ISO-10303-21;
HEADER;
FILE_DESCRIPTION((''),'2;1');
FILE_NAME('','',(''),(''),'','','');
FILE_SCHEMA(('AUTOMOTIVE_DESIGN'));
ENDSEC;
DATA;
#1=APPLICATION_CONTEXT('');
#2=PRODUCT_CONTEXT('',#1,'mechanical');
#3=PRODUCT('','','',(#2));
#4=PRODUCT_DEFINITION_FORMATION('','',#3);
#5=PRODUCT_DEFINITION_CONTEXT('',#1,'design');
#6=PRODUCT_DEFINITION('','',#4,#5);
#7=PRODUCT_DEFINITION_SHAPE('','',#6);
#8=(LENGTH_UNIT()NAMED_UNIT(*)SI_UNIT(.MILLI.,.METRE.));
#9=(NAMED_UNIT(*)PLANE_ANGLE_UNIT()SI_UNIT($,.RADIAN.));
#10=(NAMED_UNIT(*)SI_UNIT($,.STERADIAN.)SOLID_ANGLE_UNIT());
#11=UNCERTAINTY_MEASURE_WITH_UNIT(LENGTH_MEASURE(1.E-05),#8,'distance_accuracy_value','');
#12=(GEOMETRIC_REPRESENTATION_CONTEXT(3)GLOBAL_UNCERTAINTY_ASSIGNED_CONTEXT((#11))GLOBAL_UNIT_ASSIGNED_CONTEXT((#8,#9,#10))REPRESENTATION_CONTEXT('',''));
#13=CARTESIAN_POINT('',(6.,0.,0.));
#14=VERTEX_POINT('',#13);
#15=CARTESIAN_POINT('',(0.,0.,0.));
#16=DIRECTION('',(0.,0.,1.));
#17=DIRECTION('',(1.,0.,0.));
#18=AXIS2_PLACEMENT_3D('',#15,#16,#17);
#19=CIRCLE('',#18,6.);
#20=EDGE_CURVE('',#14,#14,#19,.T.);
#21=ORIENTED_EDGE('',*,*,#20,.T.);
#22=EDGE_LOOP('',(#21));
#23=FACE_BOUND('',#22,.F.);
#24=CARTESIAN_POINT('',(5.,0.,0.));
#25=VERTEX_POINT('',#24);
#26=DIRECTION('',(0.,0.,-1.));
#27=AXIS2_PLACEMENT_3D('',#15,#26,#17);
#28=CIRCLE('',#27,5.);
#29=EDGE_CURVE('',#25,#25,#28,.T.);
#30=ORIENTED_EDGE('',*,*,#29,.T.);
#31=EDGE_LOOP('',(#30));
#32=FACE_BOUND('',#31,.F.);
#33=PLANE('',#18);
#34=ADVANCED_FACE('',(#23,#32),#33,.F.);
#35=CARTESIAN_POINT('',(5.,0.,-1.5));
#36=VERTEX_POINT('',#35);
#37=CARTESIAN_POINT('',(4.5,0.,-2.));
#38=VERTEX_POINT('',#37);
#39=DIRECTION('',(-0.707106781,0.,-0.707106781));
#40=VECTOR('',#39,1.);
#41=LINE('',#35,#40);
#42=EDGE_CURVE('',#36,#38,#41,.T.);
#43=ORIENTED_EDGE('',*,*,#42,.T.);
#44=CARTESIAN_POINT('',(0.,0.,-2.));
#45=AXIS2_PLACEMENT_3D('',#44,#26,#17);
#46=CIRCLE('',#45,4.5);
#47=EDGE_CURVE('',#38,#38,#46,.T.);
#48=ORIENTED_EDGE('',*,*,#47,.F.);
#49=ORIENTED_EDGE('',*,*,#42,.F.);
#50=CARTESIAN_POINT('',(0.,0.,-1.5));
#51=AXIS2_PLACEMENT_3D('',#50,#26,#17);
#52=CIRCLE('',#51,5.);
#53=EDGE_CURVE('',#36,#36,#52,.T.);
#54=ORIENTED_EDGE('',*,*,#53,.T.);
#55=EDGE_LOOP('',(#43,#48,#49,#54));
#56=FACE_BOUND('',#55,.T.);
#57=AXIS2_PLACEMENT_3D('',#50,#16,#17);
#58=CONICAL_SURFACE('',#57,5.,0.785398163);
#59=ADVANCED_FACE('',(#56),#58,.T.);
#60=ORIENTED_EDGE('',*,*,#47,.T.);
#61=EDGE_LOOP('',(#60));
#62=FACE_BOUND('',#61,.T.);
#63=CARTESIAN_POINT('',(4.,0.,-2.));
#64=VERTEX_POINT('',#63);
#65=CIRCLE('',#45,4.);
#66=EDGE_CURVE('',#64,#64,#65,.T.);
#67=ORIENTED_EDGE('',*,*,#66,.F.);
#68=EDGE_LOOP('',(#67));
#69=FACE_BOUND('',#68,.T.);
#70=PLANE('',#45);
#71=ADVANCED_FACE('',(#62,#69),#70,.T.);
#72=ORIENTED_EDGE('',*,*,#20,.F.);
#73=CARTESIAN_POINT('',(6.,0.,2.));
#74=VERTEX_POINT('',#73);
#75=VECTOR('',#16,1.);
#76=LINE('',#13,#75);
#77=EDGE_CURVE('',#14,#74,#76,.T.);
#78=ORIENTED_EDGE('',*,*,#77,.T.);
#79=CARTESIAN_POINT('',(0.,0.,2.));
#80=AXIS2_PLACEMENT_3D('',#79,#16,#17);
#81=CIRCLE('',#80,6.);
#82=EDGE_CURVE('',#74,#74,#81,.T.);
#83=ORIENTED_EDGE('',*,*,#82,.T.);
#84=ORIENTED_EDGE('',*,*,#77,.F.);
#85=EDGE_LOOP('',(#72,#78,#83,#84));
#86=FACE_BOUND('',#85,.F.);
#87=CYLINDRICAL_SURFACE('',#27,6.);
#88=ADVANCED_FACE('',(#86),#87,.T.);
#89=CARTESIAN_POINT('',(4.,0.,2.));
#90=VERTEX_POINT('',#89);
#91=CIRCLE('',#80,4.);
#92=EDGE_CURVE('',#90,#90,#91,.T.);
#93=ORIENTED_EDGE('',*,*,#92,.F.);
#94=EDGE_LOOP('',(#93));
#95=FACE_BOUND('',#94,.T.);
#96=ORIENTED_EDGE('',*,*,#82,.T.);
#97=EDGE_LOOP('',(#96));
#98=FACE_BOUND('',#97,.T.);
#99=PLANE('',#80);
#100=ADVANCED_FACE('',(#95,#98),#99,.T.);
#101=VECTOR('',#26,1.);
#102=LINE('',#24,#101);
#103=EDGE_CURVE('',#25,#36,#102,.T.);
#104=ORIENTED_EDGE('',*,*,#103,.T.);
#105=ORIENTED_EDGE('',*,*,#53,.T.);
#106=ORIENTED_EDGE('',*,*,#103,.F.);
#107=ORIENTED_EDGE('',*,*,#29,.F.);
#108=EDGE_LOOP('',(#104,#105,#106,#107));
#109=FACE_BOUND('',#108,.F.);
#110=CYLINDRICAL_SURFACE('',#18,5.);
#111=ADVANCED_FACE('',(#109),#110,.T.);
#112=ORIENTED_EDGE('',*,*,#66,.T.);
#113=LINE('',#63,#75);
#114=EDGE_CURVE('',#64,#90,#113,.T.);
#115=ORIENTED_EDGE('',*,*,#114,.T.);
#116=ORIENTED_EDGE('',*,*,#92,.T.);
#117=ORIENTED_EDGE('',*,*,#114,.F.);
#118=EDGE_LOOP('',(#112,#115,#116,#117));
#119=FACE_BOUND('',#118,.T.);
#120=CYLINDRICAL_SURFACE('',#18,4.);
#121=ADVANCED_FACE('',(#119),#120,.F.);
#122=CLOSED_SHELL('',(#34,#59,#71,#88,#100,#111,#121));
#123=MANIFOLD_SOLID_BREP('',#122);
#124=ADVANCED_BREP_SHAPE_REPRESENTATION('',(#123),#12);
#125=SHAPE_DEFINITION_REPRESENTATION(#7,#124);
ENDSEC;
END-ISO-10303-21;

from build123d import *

# Parameters (mm, degrees)
F0_R     = 6
F0_R_2   = 4
F1_DEPTH = 2
F2_R     = 5
F2_R_2   = 4
F3_DEPTH = 2
F4_SIZE  = 0.5


with BuildPart() as f1:
    # F0 (on Top) → F1 (new body)
    with BuildSketch(Plane.XY):
        Circle(F0_R)
        Circle(F0_R_2, mode=Mode.SUBTRACT)
    extrude(amount=F1_DEPTH)

    # F2 (on face) → F3 (join)
    with BuildSketch(Plane(origin=(0, 0, 0), x_dir=(1, 0, 0), z_dir=(0, 0, -1))):
        Circle(F2_R)
        Circle(F2_R_2, mode=Mode.SUBTRACT)
    extrude(amount=F3_DEPTH)

    # F4
    f4_edges = [f1.edges().sort_by_distance(p)[0] for p in [
        (-5, 0, -2),
    ]]
    chamfer(f4_edges, length=F4_SIZE)


solid = f1.part
